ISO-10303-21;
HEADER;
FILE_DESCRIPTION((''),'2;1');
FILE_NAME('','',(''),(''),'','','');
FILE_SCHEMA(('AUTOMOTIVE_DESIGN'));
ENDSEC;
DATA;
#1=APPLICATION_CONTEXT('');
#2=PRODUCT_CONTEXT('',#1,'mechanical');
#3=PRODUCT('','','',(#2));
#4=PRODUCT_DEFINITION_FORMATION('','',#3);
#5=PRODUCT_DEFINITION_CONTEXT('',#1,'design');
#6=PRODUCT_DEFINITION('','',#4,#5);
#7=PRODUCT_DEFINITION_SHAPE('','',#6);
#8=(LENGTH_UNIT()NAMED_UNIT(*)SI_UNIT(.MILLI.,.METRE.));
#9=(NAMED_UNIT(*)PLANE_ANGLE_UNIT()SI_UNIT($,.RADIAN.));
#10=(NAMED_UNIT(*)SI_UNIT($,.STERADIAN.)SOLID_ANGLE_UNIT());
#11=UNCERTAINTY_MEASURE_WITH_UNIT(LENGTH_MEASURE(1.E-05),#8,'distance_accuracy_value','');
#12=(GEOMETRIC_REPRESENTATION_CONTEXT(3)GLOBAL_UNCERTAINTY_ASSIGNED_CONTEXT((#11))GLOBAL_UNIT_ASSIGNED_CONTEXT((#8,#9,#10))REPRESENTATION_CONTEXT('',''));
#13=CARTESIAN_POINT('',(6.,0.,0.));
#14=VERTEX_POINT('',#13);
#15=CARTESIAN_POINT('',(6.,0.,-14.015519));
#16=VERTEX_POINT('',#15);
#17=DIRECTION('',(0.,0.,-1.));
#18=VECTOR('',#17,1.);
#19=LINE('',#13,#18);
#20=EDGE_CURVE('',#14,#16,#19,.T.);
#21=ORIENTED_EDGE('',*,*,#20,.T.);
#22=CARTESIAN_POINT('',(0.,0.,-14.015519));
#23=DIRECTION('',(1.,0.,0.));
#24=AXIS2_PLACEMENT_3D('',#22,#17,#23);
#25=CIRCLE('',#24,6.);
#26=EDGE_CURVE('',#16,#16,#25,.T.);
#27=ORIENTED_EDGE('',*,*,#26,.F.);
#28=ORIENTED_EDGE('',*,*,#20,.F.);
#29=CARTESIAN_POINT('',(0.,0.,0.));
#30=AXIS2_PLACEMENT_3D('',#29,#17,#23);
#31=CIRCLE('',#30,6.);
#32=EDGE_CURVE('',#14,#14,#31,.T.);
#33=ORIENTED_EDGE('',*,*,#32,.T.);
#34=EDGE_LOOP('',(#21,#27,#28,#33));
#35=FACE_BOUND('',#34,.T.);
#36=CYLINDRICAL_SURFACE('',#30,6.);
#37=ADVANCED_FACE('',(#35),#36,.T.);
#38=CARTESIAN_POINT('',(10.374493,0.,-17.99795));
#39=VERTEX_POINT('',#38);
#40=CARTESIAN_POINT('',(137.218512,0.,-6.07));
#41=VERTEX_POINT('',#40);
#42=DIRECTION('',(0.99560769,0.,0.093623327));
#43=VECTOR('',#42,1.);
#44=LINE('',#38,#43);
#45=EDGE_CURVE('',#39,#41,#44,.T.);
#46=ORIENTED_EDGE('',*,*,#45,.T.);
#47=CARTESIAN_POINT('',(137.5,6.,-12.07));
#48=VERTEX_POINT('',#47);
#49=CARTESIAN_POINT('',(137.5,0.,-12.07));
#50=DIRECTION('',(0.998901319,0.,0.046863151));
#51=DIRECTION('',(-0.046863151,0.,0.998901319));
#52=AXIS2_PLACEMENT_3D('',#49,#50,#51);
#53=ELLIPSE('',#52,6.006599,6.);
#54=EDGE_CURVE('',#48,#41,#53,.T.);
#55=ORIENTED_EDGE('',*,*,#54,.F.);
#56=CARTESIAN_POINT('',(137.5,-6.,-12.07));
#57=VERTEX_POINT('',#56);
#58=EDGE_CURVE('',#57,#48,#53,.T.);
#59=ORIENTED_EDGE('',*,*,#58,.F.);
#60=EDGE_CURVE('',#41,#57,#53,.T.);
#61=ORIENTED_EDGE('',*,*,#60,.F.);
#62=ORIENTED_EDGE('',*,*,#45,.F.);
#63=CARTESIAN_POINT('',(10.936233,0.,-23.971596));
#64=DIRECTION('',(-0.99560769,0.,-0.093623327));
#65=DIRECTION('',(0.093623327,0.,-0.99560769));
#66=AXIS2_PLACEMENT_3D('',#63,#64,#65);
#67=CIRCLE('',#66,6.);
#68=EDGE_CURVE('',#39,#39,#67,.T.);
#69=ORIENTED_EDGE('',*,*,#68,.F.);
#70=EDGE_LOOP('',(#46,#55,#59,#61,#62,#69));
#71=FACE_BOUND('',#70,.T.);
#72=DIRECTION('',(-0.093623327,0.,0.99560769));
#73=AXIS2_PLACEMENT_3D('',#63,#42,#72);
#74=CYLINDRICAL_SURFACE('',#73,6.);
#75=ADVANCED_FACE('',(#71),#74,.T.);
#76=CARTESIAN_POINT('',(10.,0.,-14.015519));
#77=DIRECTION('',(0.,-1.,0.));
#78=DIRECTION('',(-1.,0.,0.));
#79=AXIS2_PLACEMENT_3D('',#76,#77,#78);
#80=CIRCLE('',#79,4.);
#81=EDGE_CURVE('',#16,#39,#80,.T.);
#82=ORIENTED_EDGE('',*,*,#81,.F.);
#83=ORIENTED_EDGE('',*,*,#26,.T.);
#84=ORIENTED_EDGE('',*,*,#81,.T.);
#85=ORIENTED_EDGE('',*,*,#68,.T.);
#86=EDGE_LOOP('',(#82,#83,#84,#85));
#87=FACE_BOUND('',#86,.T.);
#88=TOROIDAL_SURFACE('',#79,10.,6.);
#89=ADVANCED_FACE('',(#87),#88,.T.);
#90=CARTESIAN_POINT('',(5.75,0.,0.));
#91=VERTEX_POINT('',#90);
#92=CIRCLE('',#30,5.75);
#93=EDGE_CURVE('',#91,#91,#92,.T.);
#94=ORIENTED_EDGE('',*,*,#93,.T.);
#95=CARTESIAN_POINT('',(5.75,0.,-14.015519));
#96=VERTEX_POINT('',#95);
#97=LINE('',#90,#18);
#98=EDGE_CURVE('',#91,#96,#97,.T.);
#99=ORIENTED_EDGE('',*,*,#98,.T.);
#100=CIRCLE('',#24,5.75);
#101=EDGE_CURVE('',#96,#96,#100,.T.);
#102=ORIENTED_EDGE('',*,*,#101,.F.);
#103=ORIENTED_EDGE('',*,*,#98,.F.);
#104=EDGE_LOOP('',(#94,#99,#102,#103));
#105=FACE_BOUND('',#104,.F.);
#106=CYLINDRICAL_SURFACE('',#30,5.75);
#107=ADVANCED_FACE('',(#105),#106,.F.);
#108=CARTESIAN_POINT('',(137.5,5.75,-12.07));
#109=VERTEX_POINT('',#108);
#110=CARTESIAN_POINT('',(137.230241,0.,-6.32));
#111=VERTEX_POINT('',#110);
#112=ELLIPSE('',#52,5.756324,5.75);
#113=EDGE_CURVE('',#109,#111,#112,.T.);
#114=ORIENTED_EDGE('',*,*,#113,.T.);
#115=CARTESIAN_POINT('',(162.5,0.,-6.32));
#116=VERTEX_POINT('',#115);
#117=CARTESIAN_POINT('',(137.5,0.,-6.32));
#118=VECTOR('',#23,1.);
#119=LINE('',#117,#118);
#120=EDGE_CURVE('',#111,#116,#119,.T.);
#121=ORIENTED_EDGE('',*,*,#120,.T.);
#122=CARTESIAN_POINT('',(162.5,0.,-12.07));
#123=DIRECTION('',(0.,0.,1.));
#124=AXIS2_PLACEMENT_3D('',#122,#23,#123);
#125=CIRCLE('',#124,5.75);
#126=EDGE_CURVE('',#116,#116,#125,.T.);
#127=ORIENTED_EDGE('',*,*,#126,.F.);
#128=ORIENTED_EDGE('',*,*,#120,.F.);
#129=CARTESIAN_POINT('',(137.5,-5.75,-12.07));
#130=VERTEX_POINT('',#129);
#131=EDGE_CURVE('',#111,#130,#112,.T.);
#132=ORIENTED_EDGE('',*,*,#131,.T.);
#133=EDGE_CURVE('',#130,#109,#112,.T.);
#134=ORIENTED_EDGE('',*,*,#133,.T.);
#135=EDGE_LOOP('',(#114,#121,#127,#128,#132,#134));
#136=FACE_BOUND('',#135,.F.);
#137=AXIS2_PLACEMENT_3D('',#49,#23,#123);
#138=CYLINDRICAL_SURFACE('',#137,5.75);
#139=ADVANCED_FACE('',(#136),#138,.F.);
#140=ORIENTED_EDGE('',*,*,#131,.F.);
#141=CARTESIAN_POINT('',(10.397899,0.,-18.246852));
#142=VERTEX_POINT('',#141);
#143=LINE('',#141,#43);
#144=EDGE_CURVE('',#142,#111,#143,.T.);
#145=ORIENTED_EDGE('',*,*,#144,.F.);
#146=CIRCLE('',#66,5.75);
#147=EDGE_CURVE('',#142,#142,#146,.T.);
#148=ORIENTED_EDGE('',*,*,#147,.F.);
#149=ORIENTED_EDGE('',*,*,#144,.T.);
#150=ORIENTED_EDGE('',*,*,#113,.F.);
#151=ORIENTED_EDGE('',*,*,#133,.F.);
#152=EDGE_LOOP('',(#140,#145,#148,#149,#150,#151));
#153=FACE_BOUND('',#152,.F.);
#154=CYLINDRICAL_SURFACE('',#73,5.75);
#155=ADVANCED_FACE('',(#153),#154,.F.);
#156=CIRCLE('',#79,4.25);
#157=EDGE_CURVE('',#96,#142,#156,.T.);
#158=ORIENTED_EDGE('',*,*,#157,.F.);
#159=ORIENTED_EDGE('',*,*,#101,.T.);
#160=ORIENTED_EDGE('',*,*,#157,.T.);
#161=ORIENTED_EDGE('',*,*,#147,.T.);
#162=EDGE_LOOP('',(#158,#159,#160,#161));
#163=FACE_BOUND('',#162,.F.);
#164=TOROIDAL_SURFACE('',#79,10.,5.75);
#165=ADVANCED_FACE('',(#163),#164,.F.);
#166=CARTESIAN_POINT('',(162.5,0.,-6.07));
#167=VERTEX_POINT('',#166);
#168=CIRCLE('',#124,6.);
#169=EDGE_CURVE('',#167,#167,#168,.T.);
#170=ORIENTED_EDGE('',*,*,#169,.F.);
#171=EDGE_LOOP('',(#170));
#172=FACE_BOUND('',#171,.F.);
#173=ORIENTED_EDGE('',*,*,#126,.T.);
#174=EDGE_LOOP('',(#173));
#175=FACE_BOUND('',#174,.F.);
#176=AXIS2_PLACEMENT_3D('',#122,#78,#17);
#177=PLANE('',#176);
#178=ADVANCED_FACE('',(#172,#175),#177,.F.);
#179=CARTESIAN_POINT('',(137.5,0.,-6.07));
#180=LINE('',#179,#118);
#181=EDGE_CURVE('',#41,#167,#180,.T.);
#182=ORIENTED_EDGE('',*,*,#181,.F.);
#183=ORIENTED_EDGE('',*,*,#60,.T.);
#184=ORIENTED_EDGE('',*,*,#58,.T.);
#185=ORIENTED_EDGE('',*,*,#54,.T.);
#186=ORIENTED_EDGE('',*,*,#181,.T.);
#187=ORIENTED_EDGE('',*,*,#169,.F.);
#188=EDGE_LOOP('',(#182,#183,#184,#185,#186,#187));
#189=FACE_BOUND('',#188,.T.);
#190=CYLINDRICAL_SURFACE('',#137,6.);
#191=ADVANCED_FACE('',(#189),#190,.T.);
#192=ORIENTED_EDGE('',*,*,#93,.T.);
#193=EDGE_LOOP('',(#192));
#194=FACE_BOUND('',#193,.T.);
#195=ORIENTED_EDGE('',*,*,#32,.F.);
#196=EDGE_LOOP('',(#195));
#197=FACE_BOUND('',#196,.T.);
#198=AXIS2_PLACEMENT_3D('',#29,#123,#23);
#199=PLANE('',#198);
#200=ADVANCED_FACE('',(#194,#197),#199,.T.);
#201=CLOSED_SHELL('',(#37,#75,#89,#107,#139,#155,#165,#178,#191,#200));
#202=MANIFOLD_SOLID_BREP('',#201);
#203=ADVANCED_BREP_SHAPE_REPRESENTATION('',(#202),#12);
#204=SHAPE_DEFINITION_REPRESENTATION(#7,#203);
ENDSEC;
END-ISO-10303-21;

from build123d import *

# Parameters (mm, degrees)
F1_R   = 6
F1_R_2 = 5.75


with BuildPart() as f2:
    # F2: sweep along a path in F0
    with BuildLine(Plane.XZ) as f2_path:
        Line((0, 0), (0, -14.0155194901))
        ThreePointArc((0, -14.0155194901), (3.268073555, -21.410190973), (10.9362332679, -23.9715963916))
        Line((10.9362332679, -23.9715963916), (137.5, -12.07))
        Line((137.5, -12.07), (162.5, -12.07))
    # F1 (on Top) → F2 (sweep)
    with BuildSketch(Plane.XY):
        Circle(F1_R)
        Circle(F1_R_2, mode=Mode.SUBTRACT)
    sweep(path=f2_path.line, transition=Transition.RIGHT)


solid = f2.part
